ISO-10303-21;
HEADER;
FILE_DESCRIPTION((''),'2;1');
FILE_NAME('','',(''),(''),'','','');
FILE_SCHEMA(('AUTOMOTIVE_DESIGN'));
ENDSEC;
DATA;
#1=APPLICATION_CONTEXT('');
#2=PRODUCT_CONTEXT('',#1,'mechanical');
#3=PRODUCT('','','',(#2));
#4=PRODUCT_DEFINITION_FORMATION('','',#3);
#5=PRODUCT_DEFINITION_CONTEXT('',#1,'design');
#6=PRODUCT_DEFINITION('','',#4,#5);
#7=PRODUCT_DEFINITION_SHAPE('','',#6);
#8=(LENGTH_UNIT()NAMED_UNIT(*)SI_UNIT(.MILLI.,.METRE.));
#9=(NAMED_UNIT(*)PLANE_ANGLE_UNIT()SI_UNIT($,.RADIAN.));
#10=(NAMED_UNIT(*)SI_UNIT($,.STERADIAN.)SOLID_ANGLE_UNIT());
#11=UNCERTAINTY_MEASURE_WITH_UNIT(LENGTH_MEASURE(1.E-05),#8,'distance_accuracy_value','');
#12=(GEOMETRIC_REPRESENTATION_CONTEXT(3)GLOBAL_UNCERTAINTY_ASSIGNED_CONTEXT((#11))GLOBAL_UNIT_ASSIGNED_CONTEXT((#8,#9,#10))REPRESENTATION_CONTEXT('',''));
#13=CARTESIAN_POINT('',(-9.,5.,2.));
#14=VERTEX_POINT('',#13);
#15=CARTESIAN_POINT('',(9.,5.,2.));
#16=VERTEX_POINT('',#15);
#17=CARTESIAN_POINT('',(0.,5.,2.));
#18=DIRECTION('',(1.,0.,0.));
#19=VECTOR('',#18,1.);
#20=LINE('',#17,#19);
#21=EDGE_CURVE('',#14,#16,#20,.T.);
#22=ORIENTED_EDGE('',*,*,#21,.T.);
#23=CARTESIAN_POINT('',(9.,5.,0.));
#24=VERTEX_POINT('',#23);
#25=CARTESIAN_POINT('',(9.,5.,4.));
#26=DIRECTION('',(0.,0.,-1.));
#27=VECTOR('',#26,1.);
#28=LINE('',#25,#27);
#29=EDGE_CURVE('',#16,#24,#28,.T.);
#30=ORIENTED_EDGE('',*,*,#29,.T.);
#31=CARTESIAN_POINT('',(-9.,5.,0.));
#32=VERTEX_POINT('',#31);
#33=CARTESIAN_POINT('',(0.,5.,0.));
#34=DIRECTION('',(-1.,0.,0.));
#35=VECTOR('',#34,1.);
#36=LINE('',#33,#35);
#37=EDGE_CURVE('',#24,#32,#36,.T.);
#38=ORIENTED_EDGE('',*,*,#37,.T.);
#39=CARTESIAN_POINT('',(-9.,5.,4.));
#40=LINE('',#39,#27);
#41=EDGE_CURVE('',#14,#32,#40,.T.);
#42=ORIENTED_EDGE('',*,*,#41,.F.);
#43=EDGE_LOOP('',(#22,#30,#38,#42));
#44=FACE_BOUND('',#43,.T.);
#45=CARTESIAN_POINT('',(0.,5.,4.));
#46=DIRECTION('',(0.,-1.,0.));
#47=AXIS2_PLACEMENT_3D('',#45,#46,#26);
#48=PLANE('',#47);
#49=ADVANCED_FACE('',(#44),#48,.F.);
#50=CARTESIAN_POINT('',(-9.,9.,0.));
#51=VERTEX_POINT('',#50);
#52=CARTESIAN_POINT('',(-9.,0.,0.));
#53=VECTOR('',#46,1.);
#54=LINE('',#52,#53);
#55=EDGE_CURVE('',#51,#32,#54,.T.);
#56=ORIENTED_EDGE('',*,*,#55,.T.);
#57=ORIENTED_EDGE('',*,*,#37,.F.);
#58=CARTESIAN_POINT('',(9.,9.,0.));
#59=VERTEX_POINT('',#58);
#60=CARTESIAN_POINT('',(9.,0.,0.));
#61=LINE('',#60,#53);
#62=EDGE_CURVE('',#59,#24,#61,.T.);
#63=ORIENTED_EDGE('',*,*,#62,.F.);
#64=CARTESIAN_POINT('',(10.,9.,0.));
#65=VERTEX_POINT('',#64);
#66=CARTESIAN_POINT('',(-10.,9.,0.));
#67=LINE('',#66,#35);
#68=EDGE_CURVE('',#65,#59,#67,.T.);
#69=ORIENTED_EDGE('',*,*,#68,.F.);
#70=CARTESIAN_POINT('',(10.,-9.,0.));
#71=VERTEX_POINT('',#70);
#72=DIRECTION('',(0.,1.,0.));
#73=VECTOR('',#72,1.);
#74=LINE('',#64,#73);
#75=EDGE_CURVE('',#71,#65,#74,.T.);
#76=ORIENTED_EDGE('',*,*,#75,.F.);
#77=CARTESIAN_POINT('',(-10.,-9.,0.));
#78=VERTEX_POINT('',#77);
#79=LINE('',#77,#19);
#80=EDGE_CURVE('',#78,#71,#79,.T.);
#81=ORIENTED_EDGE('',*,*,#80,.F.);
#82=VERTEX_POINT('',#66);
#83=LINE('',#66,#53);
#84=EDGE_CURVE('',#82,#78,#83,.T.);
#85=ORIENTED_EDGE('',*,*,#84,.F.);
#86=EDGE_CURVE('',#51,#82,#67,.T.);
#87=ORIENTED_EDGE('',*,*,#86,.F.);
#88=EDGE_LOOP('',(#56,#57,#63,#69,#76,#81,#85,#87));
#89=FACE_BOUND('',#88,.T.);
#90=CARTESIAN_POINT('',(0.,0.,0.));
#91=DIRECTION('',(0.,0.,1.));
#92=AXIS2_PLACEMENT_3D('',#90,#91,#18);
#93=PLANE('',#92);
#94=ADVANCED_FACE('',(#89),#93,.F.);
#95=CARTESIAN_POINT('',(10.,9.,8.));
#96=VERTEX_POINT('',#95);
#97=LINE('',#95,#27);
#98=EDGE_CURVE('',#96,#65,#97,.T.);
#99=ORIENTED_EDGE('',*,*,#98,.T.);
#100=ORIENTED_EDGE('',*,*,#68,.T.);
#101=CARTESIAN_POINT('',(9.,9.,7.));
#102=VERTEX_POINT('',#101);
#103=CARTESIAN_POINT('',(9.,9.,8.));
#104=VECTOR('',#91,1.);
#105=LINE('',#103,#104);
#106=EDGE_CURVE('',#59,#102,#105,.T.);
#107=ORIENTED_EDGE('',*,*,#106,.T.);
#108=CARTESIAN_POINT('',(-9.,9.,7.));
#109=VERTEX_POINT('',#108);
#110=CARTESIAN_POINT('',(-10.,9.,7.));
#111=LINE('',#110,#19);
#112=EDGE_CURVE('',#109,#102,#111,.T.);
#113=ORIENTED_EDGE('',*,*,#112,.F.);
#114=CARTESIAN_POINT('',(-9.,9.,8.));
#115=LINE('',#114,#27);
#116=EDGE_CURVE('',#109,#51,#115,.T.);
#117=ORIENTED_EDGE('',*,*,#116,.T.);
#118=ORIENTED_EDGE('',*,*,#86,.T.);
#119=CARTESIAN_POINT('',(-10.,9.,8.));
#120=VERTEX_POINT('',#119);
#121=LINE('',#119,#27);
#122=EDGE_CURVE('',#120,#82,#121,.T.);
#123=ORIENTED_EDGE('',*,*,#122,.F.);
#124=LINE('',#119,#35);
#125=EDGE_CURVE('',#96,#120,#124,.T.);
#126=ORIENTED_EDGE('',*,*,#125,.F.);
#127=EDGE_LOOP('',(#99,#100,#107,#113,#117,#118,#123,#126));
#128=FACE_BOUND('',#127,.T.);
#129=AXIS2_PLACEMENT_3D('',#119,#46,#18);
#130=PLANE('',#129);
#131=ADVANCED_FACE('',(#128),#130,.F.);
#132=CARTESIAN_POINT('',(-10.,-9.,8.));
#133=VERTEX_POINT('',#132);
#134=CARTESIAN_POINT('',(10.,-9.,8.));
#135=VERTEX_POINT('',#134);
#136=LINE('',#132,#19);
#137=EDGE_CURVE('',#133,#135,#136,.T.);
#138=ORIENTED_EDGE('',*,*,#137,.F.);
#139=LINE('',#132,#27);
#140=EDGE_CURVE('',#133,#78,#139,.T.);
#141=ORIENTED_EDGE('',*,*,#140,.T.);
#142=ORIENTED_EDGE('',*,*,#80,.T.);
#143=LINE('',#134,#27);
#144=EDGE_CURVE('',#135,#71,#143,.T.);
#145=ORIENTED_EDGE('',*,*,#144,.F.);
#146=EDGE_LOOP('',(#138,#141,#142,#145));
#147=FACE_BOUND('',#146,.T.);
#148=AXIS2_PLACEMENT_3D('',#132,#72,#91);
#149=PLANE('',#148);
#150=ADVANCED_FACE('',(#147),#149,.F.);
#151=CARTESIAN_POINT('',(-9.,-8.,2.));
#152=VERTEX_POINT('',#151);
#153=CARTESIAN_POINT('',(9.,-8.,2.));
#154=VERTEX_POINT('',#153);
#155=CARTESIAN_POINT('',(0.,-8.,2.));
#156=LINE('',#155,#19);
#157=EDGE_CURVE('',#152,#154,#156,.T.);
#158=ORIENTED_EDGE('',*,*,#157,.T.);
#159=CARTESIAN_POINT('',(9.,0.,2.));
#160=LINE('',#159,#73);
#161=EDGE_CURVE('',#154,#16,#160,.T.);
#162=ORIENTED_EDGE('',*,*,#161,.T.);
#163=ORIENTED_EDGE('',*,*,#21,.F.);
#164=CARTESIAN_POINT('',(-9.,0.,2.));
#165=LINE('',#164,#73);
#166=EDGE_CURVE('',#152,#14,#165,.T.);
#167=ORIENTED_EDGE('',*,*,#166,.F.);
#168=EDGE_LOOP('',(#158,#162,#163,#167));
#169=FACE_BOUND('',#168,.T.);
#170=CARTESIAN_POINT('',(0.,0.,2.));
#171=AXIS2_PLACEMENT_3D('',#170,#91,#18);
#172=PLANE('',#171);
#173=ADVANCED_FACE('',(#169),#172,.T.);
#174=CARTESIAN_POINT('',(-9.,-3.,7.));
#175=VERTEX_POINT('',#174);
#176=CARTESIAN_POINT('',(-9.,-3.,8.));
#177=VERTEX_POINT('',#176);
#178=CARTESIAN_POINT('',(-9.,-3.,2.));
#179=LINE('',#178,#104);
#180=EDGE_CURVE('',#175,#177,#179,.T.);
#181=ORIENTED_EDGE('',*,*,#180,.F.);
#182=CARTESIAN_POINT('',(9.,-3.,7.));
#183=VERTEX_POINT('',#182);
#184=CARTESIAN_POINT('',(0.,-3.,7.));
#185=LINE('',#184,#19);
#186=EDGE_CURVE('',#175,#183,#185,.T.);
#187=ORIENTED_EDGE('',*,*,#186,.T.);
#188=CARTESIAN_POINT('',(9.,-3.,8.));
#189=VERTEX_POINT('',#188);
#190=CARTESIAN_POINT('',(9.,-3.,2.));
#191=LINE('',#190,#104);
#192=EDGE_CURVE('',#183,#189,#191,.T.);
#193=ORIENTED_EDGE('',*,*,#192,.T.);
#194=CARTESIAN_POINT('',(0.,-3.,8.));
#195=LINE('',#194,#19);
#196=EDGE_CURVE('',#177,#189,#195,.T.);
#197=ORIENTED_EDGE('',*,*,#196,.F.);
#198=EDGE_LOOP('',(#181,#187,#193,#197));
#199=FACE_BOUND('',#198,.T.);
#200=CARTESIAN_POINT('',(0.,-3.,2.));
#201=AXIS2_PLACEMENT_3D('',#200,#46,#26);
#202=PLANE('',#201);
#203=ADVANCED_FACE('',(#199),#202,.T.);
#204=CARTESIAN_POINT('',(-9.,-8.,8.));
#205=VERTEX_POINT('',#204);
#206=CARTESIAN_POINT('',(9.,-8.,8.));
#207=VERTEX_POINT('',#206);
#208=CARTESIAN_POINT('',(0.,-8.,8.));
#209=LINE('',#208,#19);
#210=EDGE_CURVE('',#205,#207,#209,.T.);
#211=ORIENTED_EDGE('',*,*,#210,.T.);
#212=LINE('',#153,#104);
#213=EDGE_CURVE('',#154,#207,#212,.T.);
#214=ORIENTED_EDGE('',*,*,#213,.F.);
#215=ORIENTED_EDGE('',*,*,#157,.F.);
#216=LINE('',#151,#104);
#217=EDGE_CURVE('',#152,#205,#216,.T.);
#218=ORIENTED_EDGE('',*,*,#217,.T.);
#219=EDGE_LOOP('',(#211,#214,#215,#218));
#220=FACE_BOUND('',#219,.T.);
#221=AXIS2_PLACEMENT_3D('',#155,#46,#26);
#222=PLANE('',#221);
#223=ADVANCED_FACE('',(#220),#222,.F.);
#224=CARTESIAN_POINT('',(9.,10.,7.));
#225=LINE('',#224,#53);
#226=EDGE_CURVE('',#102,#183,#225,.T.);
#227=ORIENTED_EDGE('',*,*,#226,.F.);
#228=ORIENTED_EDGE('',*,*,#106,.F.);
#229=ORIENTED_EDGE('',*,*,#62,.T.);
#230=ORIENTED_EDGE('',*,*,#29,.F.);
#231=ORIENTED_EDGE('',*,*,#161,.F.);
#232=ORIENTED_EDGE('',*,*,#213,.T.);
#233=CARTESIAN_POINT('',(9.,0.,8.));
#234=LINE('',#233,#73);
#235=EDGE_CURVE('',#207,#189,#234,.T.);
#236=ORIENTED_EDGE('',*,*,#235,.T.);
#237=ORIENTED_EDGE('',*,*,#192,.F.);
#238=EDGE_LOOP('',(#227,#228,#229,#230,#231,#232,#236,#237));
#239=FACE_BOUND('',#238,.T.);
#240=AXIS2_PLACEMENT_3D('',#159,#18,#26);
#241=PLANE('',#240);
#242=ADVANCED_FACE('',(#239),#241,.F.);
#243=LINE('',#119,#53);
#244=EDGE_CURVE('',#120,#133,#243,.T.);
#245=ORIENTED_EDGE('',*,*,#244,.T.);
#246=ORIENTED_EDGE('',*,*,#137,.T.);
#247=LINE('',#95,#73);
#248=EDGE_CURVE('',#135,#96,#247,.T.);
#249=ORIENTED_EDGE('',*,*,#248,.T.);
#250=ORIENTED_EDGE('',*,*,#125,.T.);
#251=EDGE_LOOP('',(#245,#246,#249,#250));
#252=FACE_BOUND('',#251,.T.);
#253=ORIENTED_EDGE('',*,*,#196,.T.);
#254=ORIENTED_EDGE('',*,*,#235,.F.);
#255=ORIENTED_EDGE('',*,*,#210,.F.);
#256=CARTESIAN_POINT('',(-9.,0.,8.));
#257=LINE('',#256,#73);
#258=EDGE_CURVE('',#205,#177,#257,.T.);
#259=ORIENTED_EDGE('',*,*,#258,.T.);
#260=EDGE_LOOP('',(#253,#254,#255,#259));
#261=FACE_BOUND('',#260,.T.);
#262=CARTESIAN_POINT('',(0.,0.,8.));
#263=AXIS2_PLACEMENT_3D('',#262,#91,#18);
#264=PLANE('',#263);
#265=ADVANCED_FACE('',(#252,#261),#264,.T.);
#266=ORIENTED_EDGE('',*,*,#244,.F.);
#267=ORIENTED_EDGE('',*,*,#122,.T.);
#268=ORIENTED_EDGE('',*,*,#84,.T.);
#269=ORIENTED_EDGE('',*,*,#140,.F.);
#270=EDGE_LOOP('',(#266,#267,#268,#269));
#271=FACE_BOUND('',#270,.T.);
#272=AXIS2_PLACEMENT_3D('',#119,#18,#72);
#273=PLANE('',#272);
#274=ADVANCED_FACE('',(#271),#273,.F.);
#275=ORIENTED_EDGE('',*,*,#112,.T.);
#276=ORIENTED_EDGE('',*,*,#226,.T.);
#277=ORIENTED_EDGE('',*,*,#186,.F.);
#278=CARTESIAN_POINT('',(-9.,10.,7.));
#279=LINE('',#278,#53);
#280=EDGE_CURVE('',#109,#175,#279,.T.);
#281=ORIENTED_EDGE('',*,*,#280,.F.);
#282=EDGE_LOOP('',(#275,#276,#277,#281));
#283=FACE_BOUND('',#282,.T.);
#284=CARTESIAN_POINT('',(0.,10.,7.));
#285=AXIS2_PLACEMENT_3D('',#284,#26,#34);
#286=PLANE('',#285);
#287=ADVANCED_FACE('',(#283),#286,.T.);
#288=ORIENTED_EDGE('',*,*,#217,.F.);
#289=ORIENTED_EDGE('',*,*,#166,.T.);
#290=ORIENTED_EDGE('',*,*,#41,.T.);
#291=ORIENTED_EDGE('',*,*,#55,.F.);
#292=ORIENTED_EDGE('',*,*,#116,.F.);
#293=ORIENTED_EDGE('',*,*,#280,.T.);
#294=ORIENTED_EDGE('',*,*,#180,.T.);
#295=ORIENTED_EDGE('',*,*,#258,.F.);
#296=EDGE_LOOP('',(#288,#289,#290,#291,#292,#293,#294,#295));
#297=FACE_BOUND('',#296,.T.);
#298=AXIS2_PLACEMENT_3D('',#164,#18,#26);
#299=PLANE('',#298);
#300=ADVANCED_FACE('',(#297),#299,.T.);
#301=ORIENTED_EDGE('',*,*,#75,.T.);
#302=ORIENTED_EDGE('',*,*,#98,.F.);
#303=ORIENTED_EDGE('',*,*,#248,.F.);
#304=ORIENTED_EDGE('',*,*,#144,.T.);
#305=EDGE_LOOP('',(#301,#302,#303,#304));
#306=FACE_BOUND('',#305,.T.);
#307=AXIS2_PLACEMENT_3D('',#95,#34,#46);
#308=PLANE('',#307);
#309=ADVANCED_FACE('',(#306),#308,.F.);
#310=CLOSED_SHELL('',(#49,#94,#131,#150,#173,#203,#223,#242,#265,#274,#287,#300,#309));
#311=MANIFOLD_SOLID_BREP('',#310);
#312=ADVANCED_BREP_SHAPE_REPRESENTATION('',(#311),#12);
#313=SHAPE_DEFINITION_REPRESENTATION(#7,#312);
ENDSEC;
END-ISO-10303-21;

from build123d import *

# Parameters (mm, degrees)
SKETCH1_W           = 20
SKETCH1_H           = 18
BOSS_EXTRUDE1_DEPTH = 8
SKETCH2_W           = 18
SKETCH2_H           = 5
CUT_EXTRUDE1_DEPTH  = 6
SKETCH4_W           = 18
SKETCH4_H           = 5
CUT_EXTRUDE2_DEPTH  = 13
SKETCH5_W           = 18
SKETCH5_H           = 4
CUT_EXTRUDE3_DEPTH  = 4


with BuildPart() as part:
    # Sketch1 → Boss-Extrude1 (new body)
    with BuildSketch(Plane.XY):
        Rectangle(SKETCH1_W, SKETCH1_H)
    extrude(amount=BOSS_EXTRUDE1_DEPTH)

    # Sketch2 → Cut-Extrude1 (cut)
    with BuildSketch(Plane.XY.offset(8)):
        with Locations((0, -5.5)):
            Rectangle(SKETCH2_W, SKETCH2_H)
    extrude(amount=-CUT_EXTRUDE1_DEPTH, mode=Mode.SUBTRACT)

    # Sketch4 → Cut-Extrude2 (cut)
    with BuildSketch(Plane.XZ.offset(3)):
        with Locations((0, 4.5)):
            Rectangle(SKETCH4_W, SKETCH4_H)
    extrude(amount=-CUT_EXTRUDE2_DEPTH, mode=Mode.SUBTRACT)

    # Sketch5 → Cut-Extrude3 (cut)
    with BuildSketch(Plane(origin=(0, 0, 0), x_dir=(-1, 0, 0), z_dir=(0, 0, -1))):
        with Locations((0, 7)):
            Rectangle(SKETCH5_W, SKETCH5_H)
    extrude(amount=-CUT_EXTRUDE3_DEPTH, mode=Mode.SUBTRACT)


solid = part.part
